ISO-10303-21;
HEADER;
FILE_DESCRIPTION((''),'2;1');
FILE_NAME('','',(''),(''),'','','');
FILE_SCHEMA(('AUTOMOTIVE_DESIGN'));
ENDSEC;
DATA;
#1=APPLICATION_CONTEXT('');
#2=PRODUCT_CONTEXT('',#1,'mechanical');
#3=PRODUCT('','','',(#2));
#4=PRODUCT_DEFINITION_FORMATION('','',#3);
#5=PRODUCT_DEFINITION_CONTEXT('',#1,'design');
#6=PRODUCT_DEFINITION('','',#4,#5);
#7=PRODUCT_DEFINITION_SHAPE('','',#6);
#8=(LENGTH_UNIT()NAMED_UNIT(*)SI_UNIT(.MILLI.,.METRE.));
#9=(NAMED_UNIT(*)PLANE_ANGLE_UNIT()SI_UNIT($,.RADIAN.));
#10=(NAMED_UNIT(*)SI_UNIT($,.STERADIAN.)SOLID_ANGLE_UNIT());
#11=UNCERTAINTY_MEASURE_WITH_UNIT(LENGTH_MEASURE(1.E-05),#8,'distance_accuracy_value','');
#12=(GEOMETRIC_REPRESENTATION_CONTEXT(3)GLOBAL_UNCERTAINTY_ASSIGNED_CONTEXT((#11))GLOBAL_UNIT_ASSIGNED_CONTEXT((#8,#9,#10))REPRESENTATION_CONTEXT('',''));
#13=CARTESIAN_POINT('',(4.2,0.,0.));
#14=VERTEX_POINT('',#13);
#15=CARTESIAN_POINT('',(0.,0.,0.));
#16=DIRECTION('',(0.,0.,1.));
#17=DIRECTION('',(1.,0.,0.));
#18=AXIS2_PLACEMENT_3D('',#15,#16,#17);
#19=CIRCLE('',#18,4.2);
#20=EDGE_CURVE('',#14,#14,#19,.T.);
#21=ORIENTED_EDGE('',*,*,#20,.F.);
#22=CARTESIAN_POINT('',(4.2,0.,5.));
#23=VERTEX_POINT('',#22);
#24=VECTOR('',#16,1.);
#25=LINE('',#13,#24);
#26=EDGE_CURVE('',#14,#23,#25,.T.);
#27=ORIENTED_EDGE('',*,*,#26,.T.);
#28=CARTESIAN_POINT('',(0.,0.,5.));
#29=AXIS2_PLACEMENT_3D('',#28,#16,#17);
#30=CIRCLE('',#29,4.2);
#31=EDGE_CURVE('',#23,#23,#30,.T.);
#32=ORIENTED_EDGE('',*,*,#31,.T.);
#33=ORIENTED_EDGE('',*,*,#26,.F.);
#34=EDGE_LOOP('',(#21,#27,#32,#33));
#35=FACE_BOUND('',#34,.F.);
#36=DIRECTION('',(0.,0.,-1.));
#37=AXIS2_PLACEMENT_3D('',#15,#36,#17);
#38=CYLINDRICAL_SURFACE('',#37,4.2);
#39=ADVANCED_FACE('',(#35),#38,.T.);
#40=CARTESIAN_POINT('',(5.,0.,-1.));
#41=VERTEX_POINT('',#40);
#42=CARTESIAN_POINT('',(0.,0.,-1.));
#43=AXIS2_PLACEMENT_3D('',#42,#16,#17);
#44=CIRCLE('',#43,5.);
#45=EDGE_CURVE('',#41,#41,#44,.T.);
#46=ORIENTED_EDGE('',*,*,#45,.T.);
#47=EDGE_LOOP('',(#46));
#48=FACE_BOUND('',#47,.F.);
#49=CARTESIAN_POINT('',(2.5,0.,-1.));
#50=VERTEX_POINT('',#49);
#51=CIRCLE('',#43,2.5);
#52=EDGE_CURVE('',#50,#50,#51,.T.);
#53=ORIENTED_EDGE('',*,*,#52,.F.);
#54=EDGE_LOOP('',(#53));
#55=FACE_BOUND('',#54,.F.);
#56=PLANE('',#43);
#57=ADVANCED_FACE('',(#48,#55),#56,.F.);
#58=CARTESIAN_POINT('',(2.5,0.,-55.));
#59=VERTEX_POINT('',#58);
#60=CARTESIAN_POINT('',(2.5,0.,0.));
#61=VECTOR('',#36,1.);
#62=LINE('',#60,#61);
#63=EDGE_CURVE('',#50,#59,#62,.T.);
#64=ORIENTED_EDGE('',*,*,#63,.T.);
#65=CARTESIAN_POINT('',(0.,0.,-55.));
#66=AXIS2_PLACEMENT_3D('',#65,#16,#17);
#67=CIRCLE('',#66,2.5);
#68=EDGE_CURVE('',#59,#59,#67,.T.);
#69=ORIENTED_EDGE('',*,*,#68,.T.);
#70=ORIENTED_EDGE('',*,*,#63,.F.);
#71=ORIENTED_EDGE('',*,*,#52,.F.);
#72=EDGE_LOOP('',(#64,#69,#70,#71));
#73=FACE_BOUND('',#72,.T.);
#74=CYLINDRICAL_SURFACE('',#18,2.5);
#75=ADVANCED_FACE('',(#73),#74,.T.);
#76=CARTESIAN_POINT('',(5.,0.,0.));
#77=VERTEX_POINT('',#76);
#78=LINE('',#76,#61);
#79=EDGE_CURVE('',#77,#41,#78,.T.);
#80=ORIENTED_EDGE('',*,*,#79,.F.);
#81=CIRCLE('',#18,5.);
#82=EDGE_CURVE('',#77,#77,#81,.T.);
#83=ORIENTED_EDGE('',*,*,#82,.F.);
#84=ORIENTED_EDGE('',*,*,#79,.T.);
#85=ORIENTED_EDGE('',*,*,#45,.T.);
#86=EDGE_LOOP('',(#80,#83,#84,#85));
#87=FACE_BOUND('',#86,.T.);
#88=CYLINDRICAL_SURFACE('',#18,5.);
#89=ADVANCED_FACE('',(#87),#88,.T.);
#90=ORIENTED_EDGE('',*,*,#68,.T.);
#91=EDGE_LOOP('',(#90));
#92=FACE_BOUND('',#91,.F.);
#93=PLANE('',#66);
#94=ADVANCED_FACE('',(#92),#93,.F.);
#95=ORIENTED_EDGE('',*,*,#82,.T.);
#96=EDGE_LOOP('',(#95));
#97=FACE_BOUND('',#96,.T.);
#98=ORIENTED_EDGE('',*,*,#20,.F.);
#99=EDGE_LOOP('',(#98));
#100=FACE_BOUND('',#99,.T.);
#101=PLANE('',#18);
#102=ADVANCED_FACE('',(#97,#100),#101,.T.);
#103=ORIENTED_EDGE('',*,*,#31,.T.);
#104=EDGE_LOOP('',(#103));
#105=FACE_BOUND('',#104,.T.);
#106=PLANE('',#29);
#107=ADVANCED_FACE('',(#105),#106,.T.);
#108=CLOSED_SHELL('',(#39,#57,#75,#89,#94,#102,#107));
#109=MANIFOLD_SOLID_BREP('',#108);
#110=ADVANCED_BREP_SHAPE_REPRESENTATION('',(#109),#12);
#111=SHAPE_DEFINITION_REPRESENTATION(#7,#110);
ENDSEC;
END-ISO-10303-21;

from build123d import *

# Parameters (mm, degrees)
F0_R     = 2.5
F1_DEPTH = 55
F2_R     = 4.2
F3_DEPTH = 5
F4_R     = 5
F5_DEPTH = 1


with BuildPart() as f1:
    # F0 (on Top) → F1 (new body)
    with BuildSketch(Plane.XY):
        Circle(F0_R)
    extrude(amount=-F1_DEPTH)

    # F2 (on Top) → F3 (join)
    with BuildSketch(Plane.XY):
        Circle(F2_R)
    extrude(amount=F3_DEPTH)

    # F4 (on Top) → F5 (join)
    with BuildSketch(Plane.XY):
        Circle(F4_R)
    extrude(amount=-F5_DEPTH)


solid = f1.part
